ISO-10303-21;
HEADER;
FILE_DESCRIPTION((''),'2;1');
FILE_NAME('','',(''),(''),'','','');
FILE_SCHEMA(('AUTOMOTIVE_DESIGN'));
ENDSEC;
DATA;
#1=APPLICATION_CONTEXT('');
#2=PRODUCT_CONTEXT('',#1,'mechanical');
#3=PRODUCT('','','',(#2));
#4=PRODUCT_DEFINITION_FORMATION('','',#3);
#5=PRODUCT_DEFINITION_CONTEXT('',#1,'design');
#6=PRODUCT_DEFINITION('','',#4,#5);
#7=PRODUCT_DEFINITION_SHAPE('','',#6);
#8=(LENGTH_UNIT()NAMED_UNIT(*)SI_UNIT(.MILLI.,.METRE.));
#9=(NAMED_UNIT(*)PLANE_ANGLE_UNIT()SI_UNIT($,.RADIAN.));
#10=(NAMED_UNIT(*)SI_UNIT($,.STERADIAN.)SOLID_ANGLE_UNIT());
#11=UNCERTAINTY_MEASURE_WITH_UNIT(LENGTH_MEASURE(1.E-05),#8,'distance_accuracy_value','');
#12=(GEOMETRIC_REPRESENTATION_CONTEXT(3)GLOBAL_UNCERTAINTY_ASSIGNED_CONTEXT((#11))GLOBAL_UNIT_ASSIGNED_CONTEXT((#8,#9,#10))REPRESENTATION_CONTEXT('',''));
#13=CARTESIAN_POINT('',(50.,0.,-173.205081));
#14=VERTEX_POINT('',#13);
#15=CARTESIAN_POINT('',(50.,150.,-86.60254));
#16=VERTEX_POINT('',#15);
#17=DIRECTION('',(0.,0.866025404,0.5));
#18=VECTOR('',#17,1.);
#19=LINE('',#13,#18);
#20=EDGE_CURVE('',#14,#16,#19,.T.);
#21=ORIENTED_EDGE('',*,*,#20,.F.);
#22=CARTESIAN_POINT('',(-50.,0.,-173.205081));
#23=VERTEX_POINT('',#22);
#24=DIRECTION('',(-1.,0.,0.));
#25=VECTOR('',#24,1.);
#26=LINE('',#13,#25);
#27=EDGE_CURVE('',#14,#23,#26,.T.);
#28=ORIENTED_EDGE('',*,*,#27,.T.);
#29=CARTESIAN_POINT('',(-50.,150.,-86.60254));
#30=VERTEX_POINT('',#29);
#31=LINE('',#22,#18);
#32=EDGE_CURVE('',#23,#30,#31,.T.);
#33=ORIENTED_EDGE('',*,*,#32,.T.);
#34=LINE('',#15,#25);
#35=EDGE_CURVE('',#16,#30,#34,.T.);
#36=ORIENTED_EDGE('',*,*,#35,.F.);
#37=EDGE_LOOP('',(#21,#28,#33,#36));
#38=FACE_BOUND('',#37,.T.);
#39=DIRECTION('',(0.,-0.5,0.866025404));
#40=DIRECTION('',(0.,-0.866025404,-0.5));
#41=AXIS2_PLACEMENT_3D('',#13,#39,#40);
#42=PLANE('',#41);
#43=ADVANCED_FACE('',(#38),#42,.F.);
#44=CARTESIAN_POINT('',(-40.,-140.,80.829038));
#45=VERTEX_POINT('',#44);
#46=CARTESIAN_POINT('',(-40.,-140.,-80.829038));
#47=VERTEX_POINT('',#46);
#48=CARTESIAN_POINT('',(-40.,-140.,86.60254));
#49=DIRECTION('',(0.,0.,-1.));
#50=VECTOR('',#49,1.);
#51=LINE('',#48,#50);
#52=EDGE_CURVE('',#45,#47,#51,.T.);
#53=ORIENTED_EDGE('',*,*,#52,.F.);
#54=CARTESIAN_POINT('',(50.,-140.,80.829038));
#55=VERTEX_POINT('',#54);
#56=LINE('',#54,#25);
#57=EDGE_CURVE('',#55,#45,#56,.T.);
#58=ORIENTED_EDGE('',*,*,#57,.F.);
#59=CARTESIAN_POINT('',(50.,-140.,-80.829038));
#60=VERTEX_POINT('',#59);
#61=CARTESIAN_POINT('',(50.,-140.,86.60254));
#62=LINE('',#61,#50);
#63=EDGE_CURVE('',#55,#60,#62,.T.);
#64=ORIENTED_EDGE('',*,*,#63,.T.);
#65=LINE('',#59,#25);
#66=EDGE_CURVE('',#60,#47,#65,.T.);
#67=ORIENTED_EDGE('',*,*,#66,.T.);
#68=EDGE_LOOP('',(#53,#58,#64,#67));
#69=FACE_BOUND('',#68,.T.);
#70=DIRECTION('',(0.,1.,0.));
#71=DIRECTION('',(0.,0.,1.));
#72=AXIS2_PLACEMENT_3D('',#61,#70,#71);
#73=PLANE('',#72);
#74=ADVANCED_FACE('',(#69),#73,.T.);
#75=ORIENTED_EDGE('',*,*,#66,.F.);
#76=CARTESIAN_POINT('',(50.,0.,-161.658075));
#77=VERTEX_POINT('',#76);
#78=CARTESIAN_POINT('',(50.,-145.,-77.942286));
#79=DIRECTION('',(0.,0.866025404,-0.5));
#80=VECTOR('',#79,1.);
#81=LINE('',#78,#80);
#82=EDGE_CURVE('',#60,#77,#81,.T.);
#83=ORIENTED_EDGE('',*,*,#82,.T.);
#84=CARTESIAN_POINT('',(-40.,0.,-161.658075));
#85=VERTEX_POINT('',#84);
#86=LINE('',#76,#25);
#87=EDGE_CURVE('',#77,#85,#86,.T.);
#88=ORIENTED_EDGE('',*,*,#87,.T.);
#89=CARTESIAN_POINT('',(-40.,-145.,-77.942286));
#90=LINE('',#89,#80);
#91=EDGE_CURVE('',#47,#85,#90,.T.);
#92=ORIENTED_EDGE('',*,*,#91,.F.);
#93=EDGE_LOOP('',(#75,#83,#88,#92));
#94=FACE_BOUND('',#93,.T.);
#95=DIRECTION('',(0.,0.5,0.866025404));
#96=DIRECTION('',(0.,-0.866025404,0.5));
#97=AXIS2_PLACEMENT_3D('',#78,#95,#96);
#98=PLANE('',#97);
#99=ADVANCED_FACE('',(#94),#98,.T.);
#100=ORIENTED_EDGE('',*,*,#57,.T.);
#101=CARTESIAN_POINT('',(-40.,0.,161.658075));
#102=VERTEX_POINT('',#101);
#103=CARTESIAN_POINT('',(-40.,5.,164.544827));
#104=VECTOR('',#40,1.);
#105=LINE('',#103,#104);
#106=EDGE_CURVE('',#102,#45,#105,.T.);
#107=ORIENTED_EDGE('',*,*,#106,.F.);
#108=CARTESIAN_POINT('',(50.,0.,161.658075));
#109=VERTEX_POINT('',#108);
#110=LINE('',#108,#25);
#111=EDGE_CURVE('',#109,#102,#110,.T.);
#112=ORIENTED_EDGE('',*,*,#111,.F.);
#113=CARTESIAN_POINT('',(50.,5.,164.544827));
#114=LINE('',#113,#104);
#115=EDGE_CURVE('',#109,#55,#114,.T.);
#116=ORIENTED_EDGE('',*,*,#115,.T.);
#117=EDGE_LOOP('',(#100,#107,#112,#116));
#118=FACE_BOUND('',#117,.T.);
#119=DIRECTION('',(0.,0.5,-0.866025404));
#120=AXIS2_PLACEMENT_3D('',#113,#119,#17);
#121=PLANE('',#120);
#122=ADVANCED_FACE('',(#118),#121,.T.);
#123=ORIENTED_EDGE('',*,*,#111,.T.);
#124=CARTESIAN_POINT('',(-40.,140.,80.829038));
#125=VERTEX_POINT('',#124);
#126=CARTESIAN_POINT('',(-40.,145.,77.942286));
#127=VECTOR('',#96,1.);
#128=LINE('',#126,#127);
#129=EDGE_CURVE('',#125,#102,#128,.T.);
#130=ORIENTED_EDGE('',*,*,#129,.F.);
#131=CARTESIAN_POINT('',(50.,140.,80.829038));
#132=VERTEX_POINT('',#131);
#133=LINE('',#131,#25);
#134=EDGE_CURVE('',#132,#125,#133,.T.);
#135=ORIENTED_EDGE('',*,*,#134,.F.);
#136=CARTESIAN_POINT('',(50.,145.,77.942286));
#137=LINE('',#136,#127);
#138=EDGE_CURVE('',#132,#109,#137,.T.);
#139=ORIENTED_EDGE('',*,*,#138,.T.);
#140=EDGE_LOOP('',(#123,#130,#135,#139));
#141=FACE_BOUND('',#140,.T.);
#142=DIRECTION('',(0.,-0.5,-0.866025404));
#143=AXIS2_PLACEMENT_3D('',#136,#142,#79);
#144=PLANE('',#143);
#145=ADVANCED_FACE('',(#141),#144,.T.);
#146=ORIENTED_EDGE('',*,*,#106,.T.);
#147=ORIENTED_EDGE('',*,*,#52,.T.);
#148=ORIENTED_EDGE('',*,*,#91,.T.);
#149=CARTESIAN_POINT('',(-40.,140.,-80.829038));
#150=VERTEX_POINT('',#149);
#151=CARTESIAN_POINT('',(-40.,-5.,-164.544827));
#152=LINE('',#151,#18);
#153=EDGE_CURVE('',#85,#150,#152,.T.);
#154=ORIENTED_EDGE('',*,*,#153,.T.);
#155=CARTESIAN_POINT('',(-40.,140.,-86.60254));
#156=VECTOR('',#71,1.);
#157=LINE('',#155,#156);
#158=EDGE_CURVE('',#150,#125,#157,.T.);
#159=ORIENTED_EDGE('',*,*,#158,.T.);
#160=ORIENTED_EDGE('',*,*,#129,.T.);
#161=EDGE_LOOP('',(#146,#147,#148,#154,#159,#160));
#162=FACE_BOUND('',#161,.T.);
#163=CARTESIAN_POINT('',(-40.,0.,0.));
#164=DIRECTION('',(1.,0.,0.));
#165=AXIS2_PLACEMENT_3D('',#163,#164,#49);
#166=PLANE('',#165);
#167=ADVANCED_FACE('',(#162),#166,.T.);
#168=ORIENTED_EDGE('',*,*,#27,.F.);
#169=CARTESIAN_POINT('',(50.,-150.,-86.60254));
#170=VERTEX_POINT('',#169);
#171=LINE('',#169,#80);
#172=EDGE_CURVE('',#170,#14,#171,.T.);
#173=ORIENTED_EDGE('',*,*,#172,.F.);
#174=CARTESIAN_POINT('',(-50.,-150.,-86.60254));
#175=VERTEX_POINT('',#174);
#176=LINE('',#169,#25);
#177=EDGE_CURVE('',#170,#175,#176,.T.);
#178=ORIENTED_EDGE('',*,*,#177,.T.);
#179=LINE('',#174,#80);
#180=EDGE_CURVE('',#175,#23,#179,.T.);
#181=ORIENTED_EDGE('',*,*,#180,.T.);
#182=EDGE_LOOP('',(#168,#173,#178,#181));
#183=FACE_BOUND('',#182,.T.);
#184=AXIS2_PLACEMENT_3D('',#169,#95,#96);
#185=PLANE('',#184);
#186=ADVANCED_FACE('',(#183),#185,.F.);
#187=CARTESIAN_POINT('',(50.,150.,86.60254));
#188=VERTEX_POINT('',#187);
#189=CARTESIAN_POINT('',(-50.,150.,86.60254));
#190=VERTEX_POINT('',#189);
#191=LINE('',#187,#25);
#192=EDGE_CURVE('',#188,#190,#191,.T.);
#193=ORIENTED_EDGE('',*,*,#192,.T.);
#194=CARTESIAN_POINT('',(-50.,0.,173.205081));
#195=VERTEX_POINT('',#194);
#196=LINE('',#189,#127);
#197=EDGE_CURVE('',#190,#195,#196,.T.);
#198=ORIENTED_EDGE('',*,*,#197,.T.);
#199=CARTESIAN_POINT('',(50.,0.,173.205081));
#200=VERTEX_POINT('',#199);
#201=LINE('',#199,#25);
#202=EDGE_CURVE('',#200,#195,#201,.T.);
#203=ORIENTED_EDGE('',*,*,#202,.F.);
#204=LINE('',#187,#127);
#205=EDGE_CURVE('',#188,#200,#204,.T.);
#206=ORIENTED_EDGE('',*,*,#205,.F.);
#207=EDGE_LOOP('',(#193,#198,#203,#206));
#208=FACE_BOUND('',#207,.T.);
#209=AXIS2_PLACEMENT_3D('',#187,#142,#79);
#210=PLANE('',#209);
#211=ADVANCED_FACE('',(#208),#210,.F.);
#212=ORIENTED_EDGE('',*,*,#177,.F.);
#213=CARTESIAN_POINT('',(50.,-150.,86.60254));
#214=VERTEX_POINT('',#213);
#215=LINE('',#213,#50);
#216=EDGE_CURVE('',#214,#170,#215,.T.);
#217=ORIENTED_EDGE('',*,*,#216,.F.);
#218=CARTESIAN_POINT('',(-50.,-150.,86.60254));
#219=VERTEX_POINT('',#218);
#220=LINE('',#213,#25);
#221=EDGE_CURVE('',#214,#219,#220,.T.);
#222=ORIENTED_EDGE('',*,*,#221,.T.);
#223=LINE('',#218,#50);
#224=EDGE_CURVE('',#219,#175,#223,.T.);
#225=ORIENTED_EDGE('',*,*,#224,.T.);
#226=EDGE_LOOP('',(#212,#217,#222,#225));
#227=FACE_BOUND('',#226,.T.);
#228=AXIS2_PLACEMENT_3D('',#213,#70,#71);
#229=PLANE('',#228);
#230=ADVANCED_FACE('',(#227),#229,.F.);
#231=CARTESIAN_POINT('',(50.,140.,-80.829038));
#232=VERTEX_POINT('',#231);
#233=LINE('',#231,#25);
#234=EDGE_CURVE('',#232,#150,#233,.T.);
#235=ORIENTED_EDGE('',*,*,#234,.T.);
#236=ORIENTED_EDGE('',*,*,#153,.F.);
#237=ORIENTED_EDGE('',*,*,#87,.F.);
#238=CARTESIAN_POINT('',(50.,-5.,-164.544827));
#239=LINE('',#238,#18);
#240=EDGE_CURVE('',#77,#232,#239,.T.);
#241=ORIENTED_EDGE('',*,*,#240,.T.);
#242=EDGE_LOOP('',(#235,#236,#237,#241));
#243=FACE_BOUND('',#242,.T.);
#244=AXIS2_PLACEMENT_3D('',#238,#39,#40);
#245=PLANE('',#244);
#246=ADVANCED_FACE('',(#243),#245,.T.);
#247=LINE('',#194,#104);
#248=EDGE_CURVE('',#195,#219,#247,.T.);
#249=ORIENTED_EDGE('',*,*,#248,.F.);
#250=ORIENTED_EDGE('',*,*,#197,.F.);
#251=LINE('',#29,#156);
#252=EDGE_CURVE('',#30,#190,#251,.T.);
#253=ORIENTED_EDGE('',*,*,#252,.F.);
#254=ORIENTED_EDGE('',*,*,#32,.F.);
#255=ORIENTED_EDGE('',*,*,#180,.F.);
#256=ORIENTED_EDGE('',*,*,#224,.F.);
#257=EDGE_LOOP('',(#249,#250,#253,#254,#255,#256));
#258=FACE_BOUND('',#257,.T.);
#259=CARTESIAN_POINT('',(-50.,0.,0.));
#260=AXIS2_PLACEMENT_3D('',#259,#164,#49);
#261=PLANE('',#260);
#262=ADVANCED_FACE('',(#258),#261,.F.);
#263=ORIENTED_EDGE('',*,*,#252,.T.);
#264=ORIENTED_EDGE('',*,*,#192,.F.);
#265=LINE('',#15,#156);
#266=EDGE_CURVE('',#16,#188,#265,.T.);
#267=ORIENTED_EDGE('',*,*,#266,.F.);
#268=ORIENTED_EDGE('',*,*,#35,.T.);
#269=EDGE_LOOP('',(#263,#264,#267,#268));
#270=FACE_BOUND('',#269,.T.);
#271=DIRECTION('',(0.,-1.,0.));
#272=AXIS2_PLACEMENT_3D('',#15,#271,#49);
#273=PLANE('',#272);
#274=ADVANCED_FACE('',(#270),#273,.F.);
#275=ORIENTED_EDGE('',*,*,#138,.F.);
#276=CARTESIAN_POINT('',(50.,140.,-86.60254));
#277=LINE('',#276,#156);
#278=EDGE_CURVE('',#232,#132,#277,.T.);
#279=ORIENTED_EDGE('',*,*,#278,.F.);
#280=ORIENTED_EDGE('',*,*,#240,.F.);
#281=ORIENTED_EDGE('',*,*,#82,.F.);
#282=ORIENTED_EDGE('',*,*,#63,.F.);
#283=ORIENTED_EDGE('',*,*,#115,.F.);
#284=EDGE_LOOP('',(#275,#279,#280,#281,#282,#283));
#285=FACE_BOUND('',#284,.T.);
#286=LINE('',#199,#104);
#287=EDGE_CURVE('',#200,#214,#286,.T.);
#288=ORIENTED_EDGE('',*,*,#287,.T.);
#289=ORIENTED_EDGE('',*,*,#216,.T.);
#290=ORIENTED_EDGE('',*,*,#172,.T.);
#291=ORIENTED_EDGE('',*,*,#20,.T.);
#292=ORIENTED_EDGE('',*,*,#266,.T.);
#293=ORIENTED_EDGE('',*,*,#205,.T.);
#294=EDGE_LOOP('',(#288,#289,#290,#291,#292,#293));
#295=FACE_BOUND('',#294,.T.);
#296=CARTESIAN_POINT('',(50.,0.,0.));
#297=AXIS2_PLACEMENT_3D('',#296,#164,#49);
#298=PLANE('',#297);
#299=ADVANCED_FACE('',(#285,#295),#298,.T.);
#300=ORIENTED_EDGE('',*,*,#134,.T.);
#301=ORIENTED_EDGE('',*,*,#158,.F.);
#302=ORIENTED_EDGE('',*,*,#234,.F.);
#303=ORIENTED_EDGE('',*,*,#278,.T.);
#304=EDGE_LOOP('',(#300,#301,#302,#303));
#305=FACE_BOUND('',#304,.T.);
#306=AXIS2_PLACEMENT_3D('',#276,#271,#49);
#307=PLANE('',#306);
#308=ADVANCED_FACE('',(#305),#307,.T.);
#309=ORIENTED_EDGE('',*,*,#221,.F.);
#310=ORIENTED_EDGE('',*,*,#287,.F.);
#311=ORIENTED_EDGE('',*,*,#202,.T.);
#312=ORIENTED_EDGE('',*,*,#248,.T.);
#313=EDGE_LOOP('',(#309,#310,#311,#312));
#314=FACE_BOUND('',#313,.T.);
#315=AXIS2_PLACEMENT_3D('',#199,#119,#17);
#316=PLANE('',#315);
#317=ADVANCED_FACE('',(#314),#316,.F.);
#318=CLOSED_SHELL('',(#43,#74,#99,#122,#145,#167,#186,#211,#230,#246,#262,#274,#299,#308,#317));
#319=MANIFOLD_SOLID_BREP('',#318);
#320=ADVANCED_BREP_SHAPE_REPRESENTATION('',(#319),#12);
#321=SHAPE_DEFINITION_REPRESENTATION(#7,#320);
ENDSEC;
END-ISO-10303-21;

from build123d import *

# Parameters (mm, degrees)
RESSALTO_EXTRUS_O1_DEPTH = 50
CASCA1_T                 = -10


with BuildPart() as part:
    # Esboço1 → Ressalto-extrusão1 (new body, symmetric)
    with BuildSketch(Plane(origin=(0, 0, 0), x_dir=(0, 0, -1), z_dir=(1, 0, 0))):
        Polygon((173.205080757, 0), (86.602540378, 150), (-86.602540378, 150), (-173.205080757, 0), (-86.602540378, -150), (86.602540378, -150), align=None)
    extrude(amount=RESSALTO_EXTRUS_O1_DEPTH, both=True)

    # Casca1
    casca1_openings = [part.faces().sort_by_distance(p)[0] for p in [
        (50, 0, 0),
    ]]
    offset(amount=CASCA1_T, openings=casca1_openings, kind=Kind.INTERSECTION)


solid = part.part
